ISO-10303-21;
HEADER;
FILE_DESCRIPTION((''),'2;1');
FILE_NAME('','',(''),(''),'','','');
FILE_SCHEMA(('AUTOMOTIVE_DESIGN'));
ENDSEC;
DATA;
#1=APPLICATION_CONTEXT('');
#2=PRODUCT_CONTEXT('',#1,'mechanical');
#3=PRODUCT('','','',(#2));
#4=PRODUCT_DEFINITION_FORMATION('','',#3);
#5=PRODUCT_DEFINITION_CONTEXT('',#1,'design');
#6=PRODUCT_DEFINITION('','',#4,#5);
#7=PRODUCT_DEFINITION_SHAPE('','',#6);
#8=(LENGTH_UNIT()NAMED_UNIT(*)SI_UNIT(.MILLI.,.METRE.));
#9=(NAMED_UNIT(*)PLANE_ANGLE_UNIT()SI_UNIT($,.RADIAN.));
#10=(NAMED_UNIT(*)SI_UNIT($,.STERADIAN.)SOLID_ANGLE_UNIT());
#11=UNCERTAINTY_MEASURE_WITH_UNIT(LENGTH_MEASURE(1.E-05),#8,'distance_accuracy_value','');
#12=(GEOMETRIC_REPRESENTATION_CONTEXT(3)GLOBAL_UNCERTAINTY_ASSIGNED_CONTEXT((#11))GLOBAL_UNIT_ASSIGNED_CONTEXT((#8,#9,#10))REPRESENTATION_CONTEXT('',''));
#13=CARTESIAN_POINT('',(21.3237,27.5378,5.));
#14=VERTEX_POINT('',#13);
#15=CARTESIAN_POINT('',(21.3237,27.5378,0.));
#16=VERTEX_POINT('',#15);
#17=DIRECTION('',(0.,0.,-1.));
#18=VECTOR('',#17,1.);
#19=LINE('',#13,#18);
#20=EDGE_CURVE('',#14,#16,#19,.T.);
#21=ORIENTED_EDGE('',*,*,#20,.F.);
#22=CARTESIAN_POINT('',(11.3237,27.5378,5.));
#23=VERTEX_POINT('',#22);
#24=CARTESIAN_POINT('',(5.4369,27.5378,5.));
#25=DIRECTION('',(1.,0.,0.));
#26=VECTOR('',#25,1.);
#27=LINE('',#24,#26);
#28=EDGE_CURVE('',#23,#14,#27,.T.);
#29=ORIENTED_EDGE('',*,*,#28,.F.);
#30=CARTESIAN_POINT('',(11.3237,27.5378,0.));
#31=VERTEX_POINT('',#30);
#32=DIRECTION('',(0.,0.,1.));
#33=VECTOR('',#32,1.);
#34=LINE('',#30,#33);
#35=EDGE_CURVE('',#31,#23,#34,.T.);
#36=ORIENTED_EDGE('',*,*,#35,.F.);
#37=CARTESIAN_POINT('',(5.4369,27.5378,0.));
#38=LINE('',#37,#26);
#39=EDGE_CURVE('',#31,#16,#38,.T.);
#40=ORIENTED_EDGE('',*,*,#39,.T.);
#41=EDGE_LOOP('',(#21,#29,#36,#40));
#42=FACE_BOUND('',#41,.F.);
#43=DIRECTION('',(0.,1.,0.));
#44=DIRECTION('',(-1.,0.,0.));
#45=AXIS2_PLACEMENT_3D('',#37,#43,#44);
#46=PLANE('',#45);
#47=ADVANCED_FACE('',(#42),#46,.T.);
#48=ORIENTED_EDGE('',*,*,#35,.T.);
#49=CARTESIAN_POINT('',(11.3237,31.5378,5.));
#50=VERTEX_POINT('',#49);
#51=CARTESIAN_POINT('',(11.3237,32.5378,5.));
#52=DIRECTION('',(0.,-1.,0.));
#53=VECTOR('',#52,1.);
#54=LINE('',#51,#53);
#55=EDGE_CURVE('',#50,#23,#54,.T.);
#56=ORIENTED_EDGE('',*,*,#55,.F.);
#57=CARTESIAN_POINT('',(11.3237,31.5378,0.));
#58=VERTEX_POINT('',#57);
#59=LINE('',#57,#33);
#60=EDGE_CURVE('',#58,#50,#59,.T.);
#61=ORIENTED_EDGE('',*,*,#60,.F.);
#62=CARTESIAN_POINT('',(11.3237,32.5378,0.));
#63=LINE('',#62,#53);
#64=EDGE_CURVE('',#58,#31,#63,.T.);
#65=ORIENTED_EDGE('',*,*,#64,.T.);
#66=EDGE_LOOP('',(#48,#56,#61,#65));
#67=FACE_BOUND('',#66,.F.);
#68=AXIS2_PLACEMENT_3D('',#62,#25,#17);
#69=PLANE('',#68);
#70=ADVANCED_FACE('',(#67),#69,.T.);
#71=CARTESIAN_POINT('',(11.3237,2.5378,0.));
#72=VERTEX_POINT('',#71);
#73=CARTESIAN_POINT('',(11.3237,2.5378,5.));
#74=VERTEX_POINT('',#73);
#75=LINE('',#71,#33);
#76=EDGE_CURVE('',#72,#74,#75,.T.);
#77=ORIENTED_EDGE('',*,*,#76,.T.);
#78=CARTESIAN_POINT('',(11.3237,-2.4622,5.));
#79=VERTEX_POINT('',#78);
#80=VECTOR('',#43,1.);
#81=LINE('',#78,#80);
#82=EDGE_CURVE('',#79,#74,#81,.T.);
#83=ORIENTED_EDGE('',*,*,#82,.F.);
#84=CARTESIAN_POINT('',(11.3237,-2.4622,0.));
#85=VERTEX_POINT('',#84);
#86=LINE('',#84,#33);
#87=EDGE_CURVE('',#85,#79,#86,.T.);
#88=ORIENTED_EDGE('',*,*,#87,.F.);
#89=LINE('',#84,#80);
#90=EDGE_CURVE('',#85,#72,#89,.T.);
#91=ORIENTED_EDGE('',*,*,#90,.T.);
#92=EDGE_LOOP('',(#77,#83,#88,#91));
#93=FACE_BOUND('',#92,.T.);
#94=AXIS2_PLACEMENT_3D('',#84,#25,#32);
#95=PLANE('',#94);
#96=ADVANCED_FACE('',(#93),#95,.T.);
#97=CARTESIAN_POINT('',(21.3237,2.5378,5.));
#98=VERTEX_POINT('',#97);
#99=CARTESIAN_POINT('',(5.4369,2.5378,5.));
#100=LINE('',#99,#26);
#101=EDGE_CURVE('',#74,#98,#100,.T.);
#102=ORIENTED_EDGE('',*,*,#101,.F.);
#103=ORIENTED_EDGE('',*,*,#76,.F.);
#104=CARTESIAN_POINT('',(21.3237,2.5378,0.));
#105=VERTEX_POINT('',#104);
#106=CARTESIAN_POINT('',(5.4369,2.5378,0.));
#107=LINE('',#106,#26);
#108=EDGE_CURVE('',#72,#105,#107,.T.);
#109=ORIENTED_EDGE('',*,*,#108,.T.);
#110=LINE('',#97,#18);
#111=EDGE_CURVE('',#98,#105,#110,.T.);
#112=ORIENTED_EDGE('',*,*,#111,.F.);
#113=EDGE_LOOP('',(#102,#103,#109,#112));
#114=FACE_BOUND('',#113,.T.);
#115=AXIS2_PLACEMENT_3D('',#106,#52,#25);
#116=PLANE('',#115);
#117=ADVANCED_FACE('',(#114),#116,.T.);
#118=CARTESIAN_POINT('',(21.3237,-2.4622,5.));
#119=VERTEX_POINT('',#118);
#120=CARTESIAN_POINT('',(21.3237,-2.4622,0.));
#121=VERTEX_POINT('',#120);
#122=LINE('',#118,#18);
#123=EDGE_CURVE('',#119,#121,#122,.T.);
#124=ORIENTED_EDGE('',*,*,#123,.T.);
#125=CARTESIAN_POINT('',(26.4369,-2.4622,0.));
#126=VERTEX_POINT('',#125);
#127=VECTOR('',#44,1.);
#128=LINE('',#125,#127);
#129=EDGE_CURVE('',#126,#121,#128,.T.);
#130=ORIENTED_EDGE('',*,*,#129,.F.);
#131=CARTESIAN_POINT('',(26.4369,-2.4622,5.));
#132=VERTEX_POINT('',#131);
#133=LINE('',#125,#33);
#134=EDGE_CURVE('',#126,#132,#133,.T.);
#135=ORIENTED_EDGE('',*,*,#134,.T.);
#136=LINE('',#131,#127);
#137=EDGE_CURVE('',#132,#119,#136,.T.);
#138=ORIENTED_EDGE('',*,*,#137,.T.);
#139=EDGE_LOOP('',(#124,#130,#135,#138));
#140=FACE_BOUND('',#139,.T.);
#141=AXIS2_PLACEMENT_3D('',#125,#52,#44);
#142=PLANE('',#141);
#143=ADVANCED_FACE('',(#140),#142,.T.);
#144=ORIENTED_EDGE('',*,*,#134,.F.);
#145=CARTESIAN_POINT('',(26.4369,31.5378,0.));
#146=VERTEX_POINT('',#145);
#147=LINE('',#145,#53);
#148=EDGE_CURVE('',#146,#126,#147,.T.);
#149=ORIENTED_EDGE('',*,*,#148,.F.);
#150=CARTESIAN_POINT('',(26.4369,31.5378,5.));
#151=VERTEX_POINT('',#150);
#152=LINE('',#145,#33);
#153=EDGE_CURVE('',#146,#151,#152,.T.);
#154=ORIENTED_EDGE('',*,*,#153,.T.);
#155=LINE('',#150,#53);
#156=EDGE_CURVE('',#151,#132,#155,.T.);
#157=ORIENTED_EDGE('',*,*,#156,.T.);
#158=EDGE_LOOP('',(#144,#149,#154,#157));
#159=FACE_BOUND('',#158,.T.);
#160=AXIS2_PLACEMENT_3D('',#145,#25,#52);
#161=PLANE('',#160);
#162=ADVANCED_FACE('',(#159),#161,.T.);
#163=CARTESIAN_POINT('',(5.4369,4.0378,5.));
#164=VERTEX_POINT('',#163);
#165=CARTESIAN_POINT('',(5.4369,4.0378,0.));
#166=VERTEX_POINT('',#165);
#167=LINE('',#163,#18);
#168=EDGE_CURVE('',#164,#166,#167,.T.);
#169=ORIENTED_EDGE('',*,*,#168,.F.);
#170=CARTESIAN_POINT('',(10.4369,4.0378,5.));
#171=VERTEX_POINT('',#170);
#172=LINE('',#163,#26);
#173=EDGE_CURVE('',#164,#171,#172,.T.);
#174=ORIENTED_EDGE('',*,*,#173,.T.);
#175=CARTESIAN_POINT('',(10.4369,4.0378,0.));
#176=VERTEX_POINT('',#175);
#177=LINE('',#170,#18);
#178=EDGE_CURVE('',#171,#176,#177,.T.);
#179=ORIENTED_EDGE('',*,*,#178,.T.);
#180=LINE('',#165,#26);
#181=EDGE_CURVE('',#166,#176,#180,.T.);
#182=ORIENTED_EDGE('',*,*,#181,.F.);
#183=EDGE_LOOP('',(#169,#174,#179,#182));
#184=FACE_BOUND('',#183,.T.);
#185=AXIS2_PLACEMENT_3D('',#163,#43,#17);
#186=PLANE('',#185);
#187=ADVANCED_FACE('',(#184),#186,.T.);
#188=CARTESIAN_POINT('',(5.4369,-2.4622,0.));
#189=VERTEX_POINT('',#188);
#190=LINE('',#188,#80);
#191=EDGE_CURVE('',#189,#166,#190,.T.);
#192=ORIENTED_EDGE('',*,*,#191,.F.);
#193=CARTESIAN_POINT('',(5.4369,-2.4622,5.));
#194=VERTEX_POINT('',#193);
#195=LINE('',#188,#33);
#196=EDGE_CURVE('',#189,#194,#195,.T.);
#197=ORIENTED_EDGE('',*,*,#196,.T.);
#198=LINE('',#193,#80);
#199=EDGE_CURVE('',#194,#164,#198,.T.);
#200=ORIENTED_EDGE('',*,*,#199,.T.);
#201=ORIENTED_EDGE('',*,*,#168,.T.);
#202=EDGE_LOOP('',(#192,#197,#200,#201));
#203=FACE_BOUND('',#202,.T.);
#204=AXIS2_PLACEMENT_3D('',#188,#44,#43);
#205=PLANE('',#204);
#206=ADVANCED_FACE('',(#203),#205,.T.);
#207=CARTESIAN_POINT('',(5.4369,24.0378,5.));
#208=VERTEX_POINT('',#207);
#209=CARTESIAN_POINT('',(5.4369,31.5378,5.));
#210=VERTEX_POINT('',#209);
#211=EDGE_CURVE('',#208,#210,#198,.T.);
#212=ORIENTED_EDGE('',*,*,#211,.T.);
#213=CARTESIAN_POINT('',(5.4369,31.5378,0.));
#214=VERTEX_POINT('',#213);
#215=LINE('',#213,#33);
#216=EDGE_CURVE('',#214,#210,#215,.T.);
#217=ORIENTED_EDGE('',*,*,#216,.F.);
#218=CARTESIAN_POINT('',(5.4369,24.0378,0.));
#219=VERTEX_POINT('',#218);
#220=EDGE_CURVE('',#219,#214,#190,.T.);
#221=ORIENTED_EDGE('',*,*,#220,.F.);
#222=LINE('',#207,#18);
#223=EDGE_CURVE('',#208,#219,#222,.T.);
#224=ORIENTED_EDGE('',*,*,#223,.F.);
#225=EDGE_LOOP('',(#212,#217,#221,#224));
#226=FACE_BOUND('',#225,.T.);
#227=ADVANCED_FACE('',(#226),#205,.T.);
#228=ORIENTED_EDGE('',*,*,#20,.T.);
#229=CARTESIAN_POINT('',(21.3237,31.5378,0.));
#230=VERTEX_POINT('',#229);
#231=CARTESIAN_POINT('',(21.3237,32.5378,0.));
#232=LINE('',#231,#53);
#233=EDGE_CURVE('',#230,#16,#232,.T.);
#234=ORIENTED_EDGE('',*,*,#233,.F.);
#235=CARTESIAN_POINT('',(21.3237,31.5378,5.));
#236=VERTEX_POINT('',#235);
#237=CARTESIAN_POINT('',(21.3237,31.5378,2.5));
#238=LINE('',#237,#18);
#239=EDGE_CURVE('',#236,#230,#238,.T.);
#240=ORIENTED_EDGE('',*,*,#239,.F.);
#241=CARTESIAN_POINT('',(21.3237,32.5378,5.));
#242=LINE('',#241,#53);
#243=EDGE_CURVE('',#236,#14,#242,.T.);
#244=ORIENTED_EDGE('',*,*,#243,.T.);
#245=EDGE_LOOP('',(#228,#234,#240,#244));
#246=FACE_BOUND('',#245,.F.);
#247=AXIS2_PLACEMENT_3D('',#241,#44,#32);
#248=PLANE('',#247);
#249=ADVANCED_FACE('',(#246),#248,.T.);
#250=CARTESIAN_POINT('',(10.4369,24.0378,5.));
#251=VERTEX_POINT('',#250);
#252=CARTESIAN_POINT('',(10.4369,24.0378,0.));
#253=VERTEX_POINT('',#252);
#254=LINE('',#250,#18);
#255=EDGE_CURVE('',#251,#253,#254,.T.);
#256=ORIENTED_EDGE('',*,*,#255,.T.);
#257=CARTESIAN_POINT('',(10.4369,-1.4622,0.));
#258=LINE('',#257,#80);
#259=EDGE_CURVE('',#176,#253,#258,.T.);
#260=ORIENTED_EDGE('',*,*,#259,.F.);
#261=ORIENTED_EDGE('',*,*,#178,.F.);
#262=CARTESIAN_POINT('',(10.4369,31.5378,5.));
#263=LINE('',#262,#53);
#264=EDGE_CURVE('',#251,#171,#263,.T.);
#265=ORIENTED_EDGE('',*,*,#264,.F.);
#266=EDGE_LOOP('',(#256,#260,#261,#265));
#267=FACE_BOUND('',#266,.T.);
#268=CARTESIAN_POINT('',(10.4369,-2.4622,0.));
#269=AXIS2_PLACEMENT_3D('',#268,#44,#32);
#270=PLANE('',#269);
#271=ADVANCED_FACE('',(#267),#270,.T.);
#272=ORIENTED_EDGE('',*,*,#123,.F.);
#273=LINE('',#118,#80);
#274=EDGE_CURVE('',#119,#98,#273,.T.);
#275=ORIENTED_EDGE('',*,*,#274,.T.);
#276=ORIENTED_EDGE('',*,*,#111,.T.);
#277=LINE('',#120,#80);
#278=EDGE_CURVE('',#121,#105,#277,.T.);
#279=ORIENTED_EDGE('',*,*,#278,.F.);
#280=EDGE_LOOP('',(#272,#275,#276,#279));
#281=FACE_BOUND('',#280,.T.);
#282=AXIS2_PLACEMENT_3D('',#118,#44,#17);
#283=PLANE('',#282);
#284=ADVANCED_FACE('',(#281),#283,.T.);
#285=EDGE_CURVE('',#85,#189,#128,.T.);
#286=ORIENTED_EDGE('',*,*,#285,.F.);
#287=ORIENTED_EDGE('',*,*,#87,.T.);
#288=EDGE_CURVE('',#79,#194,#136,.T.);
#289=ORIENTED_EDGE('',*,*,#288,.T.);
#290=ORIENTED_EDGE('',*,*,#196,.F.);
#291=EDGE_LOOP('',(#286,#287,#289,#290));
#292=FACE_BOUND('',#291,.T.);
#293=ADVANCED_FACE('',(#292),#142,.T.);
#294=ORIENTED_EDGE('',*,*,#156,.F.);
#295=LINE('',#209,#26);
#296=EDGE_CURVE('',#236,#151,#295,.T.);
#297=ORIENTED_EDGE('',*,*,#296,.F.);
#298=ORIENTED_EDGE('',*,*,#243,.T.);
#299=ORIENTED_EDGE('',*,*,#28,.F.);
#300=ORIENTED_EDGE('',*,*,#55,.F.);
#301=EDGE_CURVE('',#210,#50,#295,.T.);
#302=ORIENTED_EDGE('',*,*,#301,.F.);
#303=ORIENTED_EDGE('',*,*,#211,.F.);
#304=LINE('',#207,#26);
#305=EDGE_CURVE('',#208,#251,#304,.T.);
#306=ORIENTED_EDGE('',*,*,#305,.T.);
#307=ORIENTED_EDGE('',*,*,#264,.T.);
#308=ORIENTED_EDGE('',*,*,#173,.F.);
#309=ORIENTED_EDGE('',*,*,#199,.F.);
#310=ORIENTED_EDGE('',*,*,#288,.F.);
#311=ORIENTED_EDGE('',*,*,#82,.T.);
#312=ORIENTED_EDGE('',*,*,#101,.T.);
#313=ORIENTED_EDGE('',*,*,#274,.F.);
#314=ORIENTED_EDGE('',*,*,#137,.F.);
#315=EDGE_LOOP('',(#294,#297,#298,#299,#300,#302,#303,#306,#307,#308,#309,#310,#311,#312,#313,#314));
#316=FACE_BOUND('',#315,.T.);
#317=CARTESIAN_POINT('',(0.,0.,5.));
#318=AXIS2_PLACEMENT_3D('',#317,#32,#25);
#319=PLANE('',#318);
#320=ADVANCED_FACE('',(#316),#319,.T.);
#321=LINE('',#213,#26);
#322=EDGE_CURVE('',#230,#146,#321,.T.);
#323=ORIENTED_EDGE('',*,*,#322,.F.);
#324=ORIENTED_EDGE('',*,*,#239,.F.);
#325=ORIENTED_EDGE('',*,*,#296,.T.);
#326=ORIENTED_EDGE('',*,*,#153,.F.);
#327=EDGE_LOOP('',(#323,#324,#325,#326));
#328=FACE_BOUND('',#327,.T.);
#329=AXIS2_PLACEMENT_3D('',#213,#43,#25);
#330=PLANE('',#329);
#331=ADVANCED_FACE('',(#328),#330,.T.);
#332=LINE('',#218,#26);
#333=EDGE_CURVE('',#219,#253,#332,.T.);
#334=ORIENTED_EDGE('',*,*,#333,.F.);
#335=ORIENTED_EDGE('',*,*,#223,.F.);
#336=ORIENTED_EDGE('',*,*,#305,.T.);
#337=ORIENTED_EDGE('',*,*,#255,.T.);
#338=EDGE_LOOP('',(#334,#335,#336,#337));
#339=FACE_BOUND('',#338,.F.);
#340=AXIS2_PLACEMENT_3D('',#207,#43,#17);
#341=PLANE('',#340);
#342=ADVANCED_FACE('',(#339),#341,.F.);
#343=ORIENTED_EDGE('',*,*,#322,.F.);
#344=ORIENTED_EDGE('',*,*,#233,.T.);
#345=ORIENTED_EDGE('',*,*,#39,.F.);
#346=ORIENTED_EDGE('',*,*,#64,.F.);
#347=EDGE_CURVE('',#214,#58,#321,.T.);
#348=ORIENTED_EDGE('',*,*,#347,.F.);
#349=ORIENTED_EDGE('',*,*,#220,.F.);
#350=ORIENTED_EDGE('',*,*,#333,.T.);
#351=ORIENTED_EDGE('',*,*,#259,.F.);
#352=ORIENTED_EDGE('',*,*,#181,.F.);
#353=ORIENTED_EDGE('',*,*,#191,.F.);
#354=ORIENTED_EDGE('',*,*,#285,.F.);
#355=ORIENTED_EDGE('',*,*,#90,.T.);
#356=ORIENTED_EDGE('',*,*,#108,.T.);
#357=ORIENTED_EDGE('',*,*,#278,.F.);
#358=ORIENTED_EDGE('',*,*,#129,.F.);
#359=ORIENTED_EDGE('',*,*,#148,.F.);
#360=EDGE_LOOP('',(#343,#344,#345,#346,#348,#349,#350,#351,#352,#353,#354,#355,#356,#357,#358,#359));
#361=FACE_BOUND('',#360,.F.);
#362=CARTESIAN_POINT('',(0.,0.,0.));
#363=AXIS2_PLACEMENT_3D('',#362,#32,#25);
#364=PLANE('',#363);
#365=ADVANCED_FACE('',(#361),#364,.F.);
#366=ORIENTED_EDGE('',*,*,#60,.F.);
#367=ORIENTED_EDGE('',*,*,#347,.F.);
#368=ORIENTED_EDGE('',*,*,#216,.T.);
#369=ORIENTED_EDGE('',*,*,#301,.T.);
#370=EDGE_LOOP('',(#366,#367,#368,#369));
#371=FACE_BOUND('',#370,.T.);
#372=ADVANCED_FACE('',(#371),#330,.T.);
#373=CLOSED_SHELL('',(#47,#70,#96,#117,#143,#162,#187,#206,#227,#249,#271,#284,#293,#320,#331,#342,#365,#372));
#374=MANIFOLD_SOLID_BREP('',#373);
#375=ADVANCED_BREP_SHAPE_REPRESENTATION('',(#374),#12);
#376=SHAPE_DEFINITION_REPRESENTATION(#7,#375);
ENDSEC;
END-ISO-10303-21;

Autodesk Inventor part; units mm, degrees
ref_plane "YZ Plane" through (0, 0, 0) normal (1, 0, 0) x (0, 1, 0)
ref_plane "XZ Plane" through (0, 0, 0) normal (0, 1, 0) x (-1, 0, 0)
ref_plane "XY Plane" through (0, 0, 0) normal (0, 0, 1) x (1, 0, 0)
sketch "Sketch1" plane through (0, 0, 0) normal (0, 0, 1) x (1, 0, 0)
  line L0 (5.4369, 31.5378) -> (26.4369, 31.5378)
  line L1 (26.4369, 31.5378) -> (26.4369, -2.4622)
  line L2 (26.4369, -2.4622) -> (5.4369, -2.4622)
  line L3 (5.4369, -2.4622) -> (5.4369, 31.5378)
  dimension "d3" = 21
  dimension "d4" = 34
extrude "Extrusion1" add sketch "Sketch1" along normal blind 5
sketch "Sketch2" plane through (5.4369, -2.4622, 0) normal (0, -1, 0) x (1, 0, 0)
  line L0 (0, 5) -> (21, 5) projected
  line L1 (3, 5) -> (18.7735, 5)
  line L2 (3, 5) -> (5.8868, 0)
  line L3 (0, 0) -> (21, 0) projected
  line L4 (3, 5) -> (8.7735, 5) construction
  line L5 (18.7735, 5) -> (15.8868, 0)
  line L6 (18.7735, 5) -> (24.547, 5) construction
  line L7 (15.8868, 0) -> (5.8868, 0)
  line L8 (5.8868, 0) -> (5.8868, 5)
  line L9 (15.8868, 5) -> (15.8868, 0)
  point P0 (-5.4369, 0)
  dimension "d8" = 3
  dimension "d9" = 60
  dimension "d10" = 120
  dimension "d32" = 10
extrude "Extrusion2" cut sketch "Sketch2" against normal blind 5 contours L0 L9 L3 L8
ref_plane "Work Plane1" through (5.4369, 15.0378, 0) normal (0, 1, 0) x (1, 0, 0)
mirror "Mirror1" about plane through (5.4369, 15.0378, 0) normal (0, 1, 0) of "Extrusion2"
sketch "Sketch3" plane through (5.4369, -2.4622, 0) normal (-1, 0, 0) x (0, 0, 1)
  line L0 (0, 34) -> (5, 34) projected
  line L1 (0, 1) -> (0, 34)
  line L2 (0, 34) -> (5, 34)
  line L3 (5, 34) -> (5, 0)
  line L4 (5, 6.5) -> (5, 26.5)
  line L5 (5, 6.5) -> (0, 6.5)
  line L6 (5, 6.5) -> (10, 6.5) construction
  line L7 (5, 26.5) -> (0, 26.5)
  line L8 (5, 26.5) -> (10, 26.5) construction
  line L9 (0, 26.5) -> (0, 6.5)
  dimension "d24" = 20
  dimension "d25" = 6.5
  dimension "d28" = 180
  dimension "d31" = 90
extrude "Extrusion3" cut sketch "Sketch3" against normal blind 5 contours L7 L3 L5 L1
sketch "Sketch4" plane through (0, 0, 5) normal (0, 0, 1) x (1, 0, 0)
  point P0 (0, 0)
